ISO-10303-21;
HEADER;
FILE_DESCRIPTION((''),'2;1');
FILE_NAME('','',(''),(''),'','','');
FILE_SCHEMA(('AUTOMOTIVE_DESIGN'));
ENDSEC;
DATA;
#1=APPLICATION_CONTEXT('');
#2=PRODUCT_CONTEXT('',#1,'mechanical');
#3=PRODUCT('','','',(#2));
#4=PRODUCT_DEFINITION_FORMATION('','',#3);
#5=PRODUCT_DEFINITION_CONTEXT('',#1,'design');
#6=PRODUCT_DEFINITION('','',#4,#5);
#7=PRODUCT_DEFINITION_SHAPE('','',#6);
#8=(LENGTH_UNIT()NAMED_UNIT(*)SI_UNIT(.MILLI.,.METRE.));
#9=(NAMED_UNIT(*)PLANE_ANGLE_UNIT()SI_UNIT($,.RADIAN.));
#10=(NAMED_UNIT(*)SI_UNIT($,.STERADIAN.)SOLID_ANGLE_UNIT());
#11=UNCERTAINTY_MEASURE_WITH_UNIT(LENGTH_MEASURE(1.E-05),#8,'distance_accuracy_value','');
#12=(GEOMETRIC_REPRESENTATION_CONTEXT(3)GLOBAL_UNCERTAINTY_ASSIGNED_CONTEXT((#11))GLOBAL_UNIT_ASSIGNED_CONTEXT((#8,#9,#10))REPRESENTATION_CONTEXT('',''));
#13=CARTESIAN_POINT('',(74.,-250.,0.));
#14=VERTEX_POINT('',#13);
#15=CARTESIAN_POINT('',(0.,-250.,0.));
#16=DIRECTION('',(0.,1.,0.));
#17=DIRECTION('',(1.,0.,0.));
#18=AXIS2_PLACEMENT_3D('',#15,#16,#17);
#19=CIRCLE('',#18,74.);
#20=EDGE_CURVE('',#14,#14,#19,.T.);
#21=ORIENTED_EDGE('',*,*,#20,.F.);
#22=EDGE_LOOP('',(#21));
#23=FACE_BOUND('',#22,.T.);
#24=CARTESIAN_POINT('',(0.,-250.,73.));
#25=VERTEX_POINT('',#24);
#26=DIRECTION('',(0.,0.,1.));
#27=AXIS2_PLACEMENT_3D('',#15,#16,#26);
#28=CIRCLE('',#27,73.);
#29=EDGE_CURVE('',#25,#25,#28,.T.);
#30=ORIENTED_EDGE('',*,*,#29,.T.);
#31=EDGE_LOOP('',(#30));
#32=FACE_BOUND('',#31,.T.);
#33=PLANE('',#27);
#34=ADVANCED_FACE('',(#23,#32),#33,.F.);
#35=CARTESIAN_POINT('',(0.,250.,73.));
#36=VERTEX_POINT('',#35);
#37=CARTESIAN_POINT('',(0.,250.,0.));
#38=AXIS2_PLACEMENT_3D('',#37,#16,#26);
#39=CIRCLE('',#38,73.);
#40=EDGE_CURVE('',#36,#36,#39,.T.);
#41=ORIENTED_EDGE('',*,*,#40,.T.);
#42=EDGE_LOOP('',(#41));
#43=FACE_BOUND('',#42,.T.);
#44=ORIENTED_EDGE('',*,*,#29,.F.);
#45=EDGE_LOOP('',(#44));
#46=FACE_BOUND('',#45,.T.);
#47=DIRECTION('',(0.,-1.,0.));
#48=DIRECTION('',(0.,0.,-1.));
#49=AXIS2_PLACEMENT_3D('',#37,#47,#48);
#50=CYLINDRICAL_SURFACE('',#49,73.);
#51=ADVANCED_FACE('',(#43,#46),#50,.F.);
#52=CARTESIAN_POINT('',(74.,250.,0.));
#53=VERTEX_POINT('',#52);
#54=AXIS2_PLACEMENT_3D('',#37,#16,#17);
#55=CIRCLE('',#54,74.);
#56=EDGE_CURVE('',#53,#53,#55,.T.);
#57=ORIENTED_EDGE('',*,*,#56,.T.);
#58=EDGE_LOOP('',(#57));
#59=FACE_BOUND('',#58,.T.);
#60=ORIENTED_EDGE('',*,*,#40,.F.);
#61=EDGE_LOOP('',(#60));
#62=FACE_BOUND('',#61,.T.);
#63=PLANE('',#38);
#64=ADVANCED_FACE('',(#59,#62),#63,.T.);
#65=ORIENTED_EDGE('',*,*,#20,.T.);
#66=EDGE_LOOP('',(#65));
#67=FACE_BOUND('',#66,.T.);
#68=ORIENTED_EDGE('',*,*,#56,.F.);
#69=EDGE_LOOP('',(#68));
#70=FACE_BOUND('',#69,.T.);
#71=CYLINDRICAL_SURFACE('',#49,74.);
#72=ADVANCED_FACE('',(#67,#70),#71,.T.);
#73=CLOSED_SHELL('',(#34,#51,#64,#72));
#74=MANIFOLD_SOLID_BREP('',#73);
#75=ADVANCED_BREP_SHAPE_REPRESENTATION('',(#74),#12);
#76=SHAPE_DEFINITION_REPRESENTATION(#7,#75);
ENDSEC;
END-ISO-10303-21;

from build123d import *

# Parameters (mm, degrees)
SKETCH1_R           = 74
SKETCH1_R_2         = 73
EXTRUDE_THIN1_DEPTH = 250


with BuildPart() as part:
    # Sketch1 → Extrude-Thin1 (new body, symmetric)
    with BuildSketch(Plane(origin=(0, 0, 0), x_dir=(1, 0, 0), z_dir=(0, 1, 0))):
        Circle(SKETCH1_R)
        Circle(SKETCH1_R_2, mode=Mode.SUBTRACT)
    extrude(amount=EXTRUDE_THIN1_DEPTH, both=True)


solid = part.part
